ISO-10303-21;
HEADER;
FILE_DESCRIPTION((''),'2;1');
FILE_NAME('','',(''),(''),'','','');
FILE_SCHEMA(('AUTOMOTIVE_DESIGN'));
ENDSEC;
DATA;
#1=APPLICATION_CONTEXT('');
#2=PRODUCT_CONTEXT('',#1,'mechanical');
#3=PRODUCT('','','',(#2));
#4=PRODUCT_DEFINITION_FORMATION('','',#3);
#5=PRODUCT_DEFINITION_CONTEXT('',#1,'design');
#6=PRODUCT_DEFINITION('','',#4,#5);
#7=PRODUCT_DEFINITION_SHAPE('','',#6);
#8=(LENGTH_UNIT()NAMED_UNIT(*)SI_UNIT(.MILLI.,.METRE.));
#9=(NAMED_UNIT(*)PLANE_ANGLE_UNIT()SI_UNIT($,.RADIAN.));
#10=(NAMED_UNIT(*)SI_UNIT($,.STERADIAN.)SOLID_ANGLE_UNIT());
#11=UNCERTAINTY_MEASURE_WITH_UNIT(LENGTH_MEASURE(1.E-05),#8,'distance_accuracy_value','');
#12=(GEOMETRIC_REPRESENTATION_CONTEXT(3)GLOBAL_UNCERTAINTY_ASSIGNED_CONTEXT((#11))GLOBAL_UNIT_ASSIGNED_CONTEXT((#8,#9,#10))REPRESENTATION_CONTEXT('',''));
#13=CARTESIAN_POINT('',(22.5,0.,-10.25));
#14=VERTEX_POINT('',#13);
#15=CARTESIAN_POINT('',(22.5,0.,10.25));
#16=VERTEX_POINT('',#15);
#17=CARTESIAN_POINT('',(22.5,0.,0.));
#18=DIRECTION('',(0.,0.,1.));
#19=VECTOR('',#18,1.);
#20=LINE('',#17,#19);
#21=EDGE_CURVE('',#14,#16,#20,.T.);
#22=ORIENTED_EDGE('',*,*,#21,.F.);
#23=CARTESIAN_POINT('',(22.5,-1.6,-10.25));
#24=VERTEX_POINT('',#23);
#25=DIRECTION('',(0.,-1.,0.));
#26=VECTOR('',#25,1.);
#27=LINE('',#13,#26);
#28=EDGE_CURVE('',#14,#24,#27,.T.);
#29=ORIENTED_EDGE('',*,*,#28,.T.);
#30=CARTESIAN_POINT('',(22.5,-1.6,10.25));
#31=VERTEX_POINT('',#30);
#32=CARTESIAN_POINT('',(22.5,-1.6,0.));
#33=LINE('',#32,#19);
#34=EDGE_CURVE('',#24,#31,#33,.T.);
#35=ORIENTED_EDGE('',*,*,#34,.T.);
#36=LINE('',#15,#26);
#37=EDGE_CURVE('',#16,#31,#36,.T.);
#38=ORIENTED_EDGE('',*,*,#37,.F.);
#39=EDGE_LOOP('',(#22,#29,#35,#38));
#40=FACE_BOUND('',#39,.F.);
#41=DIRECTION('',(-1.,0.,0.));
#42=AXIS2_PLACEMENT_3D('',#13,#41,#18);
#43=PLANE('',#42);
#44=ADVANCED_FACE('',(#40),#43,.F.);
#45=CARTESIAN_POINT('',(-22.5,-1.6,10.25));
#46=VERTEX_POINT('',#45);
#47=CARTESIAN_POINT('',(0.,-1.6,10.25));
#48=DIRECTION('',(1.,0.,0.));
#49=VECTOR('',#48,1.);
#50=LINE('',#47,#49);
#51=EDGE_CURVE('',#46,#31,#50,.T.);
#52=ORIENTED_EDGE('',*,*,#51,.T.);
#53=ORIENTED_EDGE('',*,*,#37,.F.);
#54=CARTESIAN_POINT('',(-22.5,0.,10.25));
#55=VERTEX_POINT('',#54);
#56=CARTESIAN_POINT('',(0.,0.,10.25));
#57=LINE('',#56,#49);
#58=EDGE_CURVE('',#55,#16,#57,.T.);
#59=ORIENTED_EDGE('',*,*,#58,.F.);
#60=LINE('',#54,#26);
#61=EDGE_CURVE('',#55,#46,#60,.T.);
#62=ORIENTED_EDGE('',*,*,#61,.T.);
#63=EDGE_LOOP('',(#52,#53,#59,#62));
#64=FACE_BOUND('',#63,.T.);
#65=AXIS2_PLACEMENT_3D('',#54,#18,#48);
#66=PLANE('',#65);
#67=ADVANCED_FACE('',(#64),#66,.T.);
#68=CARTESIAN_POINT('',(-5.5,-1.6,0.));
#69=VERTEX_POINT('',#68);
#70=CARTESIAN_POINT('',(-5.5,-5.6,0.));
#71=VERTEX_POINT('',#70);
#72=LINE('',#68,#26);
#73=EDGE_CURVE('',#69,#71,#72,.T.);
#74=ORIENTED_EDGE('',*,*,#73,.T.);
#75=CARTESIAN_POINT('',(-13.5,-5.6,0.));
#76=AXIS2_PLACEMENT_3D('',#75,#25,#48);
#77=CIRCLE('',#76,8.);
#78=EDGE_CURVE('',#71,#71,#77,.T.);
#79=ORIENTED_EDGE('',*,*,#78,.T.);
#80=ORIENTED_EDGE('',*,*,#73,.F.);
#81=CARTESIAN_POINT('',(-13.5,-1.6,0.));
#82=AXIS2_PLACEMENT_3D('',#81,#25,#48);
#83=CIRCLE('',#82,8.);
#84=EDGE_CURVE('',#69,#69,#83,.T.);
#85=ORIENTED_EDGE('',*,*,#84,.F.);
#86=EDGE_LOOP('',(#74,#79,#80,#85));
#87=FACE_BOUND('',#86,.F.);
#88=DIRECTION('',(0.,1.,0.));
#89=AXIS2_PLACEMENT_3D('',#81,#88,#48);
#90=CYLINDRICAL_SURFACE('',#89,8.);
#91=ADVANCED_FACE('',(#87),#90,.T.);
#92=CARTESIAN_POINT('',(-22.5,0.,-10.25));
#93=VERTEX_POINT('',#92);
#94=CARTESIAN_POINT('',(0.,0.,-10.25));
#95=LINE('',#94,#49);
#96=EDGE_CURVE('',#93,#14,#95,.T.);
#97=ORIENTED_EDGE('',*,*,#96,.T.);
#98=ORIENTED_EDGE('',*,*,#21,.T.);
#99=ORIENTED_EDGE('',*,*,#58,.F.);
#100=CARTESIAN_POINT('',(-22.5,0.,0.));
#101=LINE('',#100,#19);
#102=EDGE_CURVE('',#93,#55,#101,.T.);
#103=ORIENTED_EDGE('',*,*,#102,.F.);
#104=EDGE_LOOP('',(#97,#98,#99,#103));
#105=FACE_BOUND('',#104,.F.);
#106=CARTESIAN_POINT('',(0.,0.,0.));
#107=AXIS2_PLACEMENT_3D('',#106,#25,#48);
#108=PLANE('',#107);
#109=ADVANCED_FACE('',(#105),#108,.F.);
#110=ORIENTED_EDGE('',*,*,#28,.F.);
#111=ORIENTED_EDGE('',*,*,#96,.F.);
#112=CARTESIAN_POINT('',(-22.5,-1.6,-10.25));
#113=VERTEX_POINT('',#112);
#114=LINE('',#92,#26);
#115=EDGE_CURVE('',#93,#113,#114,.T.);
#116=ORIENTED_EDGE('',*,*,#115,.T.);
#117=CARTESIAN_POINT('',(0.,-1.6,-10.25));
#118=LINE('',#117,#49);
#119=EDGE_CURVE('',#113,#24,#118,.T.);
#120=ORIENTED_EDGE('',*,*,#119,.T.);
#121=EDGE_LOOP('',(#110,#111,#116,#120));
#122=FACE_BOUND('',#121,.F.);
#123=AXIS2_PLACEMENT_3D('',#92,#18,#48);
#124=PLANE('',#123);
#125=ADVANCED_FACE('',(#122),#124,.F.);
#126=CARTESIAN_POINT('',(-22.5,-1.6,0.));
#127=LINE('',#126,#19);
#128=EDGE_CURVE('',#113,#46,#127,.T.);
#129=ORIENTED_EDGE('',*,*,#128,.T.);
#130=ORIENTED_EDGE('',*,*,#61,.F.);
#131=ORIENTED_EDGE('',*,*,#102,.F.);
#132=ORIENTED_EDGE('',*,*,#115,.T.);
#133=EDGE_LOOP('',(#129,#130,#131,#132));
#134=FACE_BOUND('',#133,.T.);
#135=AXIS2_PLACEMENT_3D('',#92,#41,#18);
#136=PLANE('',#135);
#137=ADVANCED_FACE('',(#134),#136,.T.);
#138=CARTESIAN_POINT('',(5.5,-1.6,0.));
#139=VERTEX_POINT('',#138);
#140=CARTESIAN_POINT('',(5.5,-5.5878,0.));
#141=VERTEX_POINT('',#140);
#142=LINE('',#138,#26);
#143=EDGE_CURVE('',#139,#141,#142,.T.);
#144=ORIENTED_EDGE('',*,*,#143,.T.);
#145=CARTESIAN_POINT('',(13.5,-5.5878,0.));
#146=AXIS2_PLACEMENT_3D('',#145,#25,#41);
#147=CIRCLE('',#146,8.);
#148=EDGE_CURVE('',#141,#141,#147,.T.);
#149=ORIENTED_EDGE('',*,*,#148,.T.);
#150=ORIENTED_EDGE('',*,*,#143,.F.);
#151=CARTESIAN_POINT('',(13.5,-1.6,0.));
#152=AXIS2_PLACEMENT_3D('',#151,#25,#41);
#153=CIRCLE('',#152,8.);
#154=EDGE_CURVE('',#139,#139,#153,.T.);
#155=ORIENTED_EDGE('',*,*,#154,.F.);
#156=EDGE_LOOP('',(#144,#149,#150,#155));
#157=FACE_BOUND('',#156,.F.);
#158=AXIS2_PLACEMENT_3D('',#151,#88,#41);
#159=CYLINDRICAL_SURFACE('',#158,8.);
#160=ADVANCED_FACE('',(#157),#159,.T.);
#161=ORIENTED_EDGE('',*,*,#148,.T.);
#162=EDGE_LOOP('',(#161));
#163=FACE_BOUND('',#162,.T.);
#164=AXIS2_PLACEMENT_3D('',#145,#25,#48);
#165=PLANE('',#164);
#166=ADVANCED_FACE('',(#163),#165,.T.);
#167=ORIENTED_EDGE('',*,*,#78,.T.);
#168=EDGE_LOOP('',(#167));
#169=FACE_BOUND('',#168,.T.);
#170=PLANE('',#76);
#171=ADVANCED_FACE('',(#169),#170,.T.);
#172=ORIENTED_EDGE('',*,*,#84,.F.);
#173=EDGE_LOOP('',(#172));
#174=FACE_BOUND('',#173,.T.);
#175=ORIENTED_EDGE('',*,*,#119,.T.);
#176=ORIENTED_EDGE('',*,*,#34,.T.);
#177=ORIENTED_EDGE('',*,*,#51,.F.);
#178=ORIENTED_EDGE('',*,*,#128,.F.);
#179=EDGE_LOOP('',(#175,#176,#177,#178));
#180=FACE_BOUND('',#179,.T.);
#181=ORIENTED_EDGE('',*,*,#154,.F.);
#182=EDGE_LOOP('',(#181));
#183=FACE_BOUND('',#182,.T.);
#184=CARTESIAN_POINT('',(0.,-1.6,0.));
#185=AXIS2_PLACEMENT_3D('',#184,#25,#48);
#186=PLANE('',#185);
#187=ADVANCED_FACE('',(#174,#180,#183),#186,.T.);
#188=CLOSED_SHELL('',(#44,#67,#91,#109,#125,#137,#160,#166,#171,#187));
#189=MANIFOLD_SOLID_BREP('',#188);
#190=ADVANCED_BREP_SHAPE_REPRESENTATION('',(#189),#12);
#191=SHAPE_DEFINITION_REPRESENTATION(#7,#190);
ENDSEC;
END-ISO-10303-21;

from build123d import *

# Parameters (mm, degrees)
F0_W     = 45
F0_H     = 20.5
F1_DEPTH = 1.6
F2_R     = 8
F3_DEPTH = 4
F4_DEPTH = 3.9878


with BuildPart() as f1:
    # F0 (on Front) → F1 (new body)
    with BuildSketch(Plane.XZ):
        Rectangle(F0_W, F0_H)
    extrude(amount=F1_DEPTH)

    # F2 (on face) → F3 (join)
    with BuildSketch(Plane.XZ.offset(1.6)):
        with Locations((-13.5, 0)):
            Circle(F2_R)
    extrude(amount=F3_DEPTH)

    # F2 (on face) → F4 (join)
    with BuildSketch(Plane.XZ.offset(1.6)):
        with BuildLine():
            ThreePointArc((21.5, 0), (13.5, 8), (5.5, 0))
            ThreePointArc((5.5, 0), (13.5, -8), (21.5, 0))
        make_face()
    extrude(amount=F4_DEPTH)


solid = f1.part
